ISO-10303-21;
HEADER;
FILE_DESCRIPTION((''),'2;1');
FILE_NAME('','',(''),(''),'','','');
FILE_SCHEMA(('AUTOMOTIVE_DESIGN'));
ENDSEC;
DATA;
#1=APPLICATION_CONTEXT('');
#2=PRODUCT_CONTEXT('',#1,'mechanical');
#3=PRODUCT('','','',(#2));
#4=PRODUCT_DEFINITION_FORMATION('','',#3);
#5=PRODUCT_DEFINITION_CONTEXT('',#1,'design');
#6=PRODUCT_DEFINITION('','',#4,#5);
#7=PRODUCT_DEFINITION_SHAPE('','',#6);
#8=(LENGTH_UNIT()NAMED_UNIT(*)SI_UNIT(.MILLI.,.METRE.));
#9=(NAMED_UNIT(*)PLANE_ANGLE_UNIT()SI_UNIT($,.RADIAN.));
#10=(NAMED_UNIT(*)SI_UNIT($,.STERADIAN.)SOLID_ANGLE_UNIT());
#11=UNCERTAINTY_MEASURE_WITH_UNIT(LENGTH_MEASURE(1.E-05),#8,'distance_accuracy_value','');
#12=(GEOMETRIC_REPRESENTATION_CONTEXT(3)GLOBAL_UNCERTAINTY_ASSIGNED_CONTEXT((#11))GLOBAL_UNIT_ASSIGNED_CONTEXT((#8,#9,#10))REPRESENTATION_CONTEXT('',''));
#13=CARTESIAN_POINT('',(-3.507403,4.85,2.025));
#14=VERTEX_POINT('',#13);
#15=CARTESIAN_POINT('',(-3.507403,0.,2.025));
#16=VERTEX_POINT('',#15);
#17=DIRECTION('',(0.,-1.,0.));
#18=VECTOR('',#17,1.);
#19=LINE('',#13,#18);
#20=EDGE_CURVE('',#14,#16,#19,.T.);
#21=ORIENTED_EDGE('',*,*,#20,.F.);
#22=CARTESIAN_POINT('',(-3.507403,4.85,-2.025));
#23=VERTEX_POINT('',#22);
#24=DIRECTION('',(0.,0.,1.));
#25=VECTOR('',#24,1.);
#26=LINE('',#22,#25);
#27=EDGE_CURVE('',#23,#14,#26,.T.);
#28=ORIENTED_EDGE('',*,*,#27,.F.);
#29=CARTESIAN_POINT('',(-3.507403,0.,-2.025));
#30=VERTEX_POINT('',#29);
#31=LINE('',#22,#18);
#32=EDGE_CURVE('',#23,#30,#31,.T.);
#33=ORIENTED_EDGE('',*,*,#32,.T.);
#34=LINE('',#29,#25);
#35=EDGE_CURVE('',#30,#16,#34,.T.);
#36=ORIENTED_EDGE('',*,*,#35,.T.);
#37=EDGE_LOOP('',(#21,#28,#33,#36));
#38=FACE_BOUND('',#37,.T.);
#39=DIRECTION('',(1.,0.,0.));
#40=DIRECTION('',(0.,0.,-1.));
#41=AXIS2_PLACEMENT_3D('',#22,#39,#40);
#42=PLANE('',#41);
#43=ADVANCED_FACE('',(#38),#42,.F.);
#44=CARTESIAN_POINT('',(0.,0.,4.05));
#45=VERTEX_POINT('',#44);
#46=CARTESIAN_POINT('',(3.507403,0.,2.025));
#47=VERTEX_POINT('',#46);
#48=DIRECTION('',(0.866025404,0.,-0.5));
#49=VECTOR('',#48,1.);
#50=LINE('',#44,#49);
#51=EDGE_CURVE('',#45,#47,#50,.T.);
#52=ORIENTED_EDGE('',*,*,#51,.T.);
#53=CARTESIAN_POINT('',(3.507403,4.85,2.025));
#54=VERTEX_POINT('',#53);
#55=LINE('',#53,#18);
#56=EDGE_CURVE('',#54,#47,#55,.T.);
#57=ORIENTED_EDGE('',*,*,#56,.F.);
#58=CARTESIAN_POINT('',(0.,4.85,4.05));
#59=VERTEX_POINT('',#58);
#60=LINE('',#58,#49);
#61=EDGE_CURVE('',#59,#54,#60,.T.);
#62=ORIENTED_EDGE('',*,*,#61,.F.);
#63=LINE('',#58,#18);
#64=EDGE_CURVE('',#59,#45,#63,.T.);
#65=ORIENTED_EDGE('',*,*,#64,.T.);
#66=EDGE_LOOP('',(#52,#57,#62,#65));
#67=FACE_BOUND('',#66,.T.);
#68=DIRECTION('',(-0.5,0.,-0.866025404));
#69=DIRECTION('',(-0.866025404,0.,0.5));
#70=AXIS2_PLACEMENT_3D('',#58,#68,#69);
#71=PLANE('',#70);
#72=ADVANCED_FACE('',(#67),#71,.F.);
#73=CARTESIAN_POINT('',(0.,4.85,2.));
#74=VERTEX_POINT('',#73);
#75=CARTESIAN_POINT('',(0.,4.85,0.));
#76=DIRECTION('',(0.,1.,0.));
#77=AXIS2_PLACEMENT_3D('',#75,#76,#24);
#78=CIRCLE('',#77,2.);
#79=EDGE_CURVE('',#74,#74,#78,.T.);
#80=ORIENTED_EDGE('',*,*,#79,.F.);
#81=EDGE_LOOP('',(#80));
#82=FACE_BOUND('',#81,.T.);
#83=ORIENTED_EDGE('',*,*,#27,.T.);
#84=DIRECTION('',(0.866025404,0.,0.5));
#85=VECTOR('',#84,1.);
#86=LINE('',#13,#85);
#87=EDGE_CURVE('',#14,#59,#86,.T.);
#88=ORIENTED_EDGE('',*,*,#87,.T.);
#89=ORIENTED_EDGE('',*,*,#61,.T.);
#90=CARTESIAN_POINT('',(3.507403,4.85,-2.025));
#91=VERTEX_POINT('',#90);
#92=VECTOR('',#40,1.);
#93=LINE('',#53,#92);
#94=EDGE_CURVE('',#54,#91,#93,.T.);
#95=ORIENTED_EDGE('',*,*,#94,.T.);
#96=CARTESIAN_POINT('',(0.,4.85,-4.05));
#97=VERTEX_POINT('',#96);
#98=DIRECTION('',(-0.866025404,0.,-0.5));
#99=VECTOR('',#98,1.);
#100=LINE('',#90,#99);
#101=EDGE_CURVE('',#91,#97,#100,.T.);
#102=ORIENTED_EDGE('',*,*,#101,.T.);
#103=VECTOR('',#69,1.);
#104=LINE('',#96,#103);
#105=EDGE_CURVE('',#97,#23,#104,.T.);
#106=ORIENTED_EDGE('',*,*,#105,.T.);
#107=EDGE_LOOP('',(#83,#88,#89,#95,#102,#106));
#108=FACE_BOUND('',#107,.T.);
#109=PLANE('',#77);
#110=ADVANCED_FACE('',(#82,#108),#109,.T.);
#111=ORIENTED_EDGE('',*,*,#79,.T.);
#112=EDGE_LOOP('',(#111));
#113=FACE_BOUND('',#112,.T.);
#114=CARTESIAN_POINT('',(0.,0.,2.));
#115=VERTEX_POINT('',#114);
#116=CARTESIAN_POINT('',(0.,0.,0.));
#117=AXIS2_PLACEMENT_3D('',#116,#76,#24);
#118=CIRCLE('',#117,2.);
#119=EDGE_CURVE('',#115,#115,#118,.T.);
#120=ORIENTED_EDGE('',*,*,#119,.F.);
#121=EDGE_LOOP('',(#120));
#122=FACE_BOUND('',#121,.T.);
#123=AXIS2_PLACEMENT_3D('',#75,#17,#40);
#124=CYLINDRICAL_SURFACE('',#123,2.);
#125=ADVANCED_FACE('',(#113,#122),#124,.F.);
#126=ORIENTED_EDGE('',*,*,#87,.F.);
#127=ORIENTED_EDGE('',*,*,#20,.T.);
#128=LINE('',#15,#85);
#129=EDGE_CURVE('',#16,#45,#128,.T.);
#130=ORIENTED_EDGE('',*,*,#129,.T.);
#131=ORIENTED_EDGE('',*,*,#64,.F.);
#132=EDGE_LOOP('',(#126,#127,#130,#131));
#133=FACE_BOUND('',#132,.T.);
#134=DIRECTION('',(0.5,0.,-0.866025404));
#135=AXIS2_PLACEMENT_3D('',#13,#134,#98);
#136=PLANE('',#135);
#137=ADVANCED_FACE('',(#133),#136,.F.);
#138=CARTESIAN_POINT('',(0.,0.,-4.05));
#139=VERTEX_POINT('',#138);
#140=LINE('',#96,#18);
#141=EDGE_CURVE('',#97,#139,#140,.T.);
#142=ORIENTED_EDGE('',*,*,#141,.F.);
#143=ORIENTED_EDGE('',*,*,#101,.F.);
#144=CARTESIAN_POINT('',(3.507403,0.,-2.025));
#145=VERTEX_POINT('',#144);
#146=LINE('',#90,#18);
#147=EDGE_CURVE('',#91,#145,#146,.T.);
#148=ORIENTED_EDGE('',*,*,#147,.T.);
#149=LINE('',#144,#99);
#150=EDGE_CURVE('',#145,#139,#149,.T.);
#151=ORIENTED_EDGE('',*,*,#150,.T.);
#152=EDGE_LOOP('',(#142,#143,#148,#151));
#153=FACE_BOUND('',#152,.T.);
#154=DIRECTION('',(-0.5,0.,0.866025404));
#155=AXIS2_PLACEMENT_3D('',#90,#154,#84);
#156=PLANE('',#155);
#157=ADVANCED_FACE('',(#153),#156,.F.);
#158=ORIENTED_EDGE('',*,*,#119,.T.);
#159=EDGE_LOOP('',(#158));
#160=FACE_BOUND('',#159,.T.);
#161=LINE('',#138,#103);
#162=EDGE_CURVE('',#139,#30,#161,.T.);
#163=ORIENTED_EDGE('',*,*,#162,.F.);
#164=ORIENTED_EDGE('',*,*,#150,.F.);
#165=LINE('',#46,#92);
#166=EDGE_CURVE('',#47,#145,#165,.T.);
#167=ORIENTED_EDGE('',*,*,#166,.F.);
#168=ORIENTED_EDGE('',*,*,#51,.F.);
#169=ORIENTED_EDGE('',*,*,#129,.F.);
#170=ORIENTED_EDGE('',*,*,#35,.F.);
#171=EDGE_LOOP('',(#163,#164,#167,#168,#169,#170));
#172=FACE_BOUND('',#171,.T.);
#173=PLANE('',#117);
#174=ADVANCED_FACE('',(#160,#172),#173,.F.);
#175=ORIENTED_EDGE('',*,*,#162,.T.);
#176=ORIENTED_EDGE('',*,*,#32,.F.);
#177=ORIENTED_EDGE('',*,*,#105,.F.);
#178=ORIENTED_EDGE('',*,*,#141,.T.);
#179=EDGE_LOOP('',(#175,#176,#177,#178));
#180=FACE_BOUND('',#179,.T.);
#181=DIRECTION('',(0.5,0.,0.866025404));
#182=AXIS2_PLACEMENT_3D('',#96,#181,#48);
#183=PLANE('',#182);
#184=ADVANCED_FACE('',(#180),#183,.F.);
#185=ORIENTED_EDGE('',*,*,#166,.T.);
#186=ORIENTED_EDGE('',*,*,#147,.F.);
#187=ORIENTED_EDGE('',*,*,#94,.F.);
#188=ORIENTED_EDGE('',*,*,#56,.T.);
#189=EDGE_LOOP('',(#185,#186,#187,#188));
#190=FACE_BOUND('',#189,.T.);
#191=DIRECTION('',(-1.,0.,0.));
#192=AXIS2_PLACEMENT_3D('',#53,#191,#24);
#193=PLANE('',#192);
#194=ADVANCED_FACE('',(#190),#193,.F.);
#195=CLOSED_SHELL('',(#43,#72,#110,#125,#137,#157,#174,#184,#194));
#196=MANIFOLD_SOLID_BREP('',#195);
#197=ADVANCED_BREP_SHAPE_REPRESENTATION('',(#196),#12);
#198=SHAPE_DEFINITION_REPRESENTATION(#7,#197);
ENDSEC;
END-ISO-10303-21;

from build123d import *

# Parameters (mm, degrees)
SKETCH_1_R      = 2
EXTRUDE_1_DEPTH = 4.85


with BuildPart() as part:
    # ｽｹｯﾁ1 → ﾎﾞｽ - 押し出し1 (new body)
    with BuildSketch(Plane(origin=(0, 0, 0), x_dir=(1, 0, 0), z_dir=(0, 1, 0))):
        Polygon((3.507402885, 2.025), (0, 4.05), (-3.507402885, 2.025), (-3.507402885, -2.025), (0, -4.05), (3.507402885, -2.025), align=None)
        with Locations(Location((0, 0, 0), (0, 0, 270))):
            Circle(SKETCH_1_R, mode=Mode.SUBTRACT)
    extrude(amount=EXTRUDE_1_DEPTH)


solid = part.part
